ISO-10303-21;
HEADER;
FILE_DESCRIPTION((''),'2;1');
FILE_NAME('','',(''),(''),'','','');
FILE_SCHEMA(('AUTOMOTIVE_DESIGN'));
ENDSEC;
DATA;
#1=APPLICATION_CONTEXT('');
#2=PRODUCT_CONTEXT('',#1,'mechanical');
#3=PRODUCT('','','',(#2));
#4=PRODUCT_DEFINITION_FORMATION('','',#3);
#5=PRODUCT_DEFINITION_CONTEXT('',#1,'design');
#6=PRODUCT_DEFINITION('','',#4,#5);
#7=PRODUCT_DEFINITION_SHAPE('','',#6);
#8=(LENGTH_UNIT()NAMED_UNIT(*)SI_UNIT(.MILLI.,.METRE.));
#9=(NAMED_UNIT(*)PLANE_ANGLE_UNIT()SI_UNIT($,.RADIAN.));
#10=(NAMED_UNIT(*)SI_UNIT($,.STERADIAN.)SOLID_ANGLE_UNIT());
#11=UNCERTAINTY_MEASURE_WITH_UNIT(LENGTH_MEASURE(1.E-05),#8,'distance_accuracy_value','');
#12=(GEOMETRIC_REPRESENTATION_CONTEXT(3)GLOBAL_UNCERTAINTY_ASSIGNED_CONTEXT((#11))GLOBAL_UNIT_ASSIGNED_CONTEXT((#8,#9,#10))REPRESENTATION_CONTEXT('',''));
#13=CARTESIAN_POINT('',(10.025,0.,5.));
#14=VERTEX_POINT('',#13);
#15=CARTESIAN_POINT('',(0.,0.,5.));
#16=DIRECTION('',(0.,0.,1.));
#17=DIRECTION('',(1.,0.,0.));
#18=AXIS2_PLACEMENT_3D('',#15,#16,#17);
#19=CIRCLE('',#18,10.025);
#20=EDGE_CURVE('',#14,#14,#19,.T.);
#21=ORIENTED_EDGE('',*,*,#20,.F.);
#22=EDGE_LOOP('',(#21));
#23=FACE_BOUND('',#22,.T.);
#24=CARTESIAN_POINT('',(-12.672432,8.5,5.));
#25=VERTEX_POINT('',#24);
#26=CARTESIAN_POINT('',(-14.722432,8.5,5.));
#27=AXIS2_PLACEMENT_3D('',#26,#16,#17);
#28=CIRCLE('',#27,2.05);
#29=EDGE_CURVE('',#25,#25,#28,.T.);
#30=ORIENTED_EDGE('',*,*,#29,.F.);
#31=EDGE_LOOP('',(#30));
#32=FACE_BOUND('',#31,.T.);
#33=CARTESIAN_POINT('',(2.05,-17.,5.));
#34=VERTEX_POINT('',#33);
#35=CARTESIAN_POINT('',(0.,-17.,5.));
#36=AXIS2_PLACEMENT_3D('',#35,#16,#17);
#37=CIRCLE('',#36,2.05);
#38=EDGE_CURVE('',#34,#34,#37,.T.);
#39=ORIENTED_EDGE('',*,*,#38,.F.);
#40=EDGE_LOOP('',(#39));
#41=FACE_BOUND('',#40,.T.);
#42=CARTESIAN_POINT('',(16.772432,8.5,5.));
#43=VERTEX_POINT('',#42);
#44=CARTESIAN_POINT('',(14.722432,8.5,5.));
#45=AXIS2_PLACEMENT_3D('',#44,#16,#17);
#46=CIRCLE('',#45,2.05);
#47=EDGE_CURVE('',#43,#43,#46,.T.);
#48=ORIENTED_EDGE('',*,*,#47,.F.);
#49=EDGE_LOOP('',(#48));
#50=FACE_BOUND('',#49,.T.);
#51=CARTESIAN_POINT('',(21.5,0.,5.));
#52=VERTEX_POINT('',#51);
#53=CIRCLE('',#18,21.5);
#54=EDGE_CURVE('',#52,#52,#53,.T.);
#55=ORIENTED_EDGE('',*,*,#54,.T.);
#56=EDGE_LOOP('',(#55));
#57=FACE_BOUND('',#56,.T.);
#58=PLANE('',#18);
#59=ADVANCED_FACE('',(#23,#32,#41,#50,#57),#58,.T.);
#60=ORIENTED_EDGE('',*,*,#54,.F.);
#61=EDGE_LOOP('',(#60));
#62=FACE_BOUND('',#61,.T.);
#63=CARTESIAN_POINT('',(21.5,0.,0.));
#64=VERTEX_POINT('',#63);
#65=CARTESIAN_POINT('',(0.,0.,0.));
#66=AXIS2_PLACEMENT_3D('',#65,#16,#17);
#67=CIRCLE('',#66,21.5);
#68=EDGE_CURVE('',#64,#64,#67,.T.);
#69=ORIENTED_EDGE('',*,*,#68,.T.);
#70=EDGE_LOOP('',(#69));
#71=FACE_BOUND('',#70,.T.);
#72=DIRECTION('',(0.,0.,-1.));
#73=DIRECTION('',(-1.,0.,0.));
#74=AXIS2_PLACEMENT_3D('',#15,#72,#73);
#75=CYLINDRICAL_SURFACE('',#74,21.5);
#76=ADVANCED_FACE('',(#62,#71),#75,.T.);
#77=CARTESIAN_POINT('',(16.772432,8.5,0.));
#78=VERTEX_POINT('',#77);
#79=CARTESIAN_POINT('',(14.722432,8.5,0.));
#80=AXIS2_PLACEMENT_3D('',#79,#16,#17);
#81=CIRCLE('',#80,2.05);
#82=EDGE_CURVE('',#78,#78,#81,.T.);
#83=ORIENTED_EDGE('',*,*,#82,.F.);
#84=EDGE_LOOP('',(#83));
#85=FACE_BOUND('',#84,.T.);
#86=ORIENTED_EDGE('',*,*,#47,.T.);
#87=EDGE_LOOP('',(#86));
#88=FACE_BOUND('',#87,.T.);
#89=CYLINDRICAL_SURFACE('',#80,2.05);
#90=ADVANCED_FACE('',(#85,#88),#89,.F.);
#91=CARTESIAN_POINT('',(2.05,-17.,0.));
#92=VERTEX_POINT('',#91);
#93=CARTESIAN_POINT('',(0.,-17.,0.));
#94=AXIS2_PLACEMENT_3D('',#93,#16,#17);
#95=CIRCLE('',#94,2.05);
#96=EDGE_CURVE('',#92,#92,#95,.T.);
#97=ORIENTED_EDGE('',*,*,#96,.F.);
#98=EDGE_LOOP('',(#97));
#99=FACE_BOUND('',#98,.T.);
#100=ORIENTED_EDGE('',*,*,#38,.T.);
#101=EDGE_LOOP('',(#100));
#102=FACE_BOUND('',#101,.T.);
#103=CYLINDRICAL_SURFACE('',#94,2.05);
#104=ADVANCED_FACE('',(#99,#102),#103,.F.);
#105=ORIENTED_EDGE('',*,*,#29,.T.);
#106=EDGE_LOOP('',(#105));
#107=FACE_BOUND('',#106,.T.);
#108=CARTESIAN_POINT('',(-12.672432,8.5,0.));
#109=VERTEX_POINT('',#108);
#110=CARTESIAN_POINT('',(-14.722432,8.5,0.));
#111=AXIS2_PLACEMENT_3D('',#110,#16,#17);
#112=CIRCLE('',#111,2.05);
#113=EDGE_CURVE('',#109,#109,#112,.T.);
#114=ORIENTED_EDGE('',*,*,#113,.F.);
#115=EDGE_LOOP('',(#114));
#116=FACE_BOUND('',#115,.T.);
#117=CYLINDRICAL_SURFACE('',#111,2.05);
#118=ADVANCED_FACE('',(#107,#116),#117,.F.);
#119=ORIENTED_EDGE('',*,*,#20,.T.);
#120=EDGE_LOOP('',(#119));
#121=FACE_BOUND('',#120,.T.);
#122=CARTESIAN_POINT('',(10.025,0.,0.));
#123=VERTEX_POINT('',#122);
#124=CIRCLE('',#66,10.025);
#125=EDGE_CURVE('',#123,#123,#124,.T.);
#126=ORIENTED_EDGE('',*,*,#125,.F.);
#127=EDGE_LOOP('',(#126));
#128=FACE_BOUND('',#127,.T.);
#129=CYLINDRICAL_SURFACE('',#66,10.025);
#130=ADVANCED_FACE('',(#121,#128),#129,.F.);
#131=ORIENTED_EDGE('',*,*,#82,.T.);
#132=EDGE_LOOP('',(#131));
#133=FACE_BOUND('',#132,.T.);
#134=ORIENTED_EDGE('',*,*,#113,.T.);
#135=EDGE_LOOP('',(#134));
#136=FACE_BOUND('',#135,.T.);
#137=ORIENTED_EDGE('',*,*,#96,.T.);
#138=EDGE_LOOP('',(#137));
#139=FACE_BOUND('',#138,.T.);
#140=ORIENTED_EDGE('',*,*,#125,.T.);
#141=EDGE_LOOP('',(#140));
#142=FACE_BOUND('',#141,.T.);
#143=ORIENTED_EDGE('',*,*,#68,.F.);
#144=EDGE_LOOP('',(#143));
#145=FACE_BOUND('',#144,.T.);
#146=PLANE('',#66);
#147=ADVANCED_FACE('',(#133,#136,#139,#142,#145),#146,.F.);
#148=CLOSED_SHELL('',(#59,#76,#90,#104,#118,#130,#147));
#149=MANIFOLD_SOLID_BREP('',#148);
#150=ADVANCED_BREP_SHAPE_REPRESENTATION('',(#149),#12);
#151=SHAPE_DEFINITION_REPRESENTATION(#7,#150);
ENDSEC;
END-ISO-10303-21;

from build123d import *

# Parameters (mm, degrees)
SKETCH_1_R          = 21.5
SKETCH_1_R_2        = 18
EXTRUDE_1_DEPTH     = 5
SKETCH_2_R          = 10.025
CUT_EXTRUDE_1_DEPTH = 31.813957876
SKETCH_3_R          = 2.05
CUT_EXTRUDE_2_DEPTH = 31.813957876


with BuildPart() as part:
    # ｽｹｯﾁ1 → ﾎﾞｽ - 押し出し1 (new body)
    with BuildSketch(Plane.XY):
        Circle(SKETCH_1_R)
        Circle(SKETCH_1_R_2, mode=Mode.SUBTRACT)
        Circle(SKETCH_1_R_2)
    extrude(amount=EXTRUDE_1_DEPTH)

    # ｽｹｯﾁ2 → ｶｯﾄ - 押し出し1 (cut, through all)
    with BuildSketch(Plane.XY.offset(5)):
        Circle(SKETCH_2_R)
    extrude(amount=-CUT_EXTRUDE_1_DEPTH, mode=Mode.SUBTRACT)

    # ｽｹｯﾁ3 → ｶｯﾄ - 押し出し2 (cut, through all)
    with BuildSketch(Plane.XY.offset(5)):
        with Locations((0, -17)):
            Circle(SKETCH_3_R)
        with Locations((-14.722431864, 8.5)):
            Circle(SKETCH_3_R)
        with Locations((14.722431864, 8.5)):
            Circle(SKETCH_3_R)
    extrude(amount=-CUT_EXTRUDE_2_DEPTH, mode=Mode.SUBTRACT)


solid = part.part
